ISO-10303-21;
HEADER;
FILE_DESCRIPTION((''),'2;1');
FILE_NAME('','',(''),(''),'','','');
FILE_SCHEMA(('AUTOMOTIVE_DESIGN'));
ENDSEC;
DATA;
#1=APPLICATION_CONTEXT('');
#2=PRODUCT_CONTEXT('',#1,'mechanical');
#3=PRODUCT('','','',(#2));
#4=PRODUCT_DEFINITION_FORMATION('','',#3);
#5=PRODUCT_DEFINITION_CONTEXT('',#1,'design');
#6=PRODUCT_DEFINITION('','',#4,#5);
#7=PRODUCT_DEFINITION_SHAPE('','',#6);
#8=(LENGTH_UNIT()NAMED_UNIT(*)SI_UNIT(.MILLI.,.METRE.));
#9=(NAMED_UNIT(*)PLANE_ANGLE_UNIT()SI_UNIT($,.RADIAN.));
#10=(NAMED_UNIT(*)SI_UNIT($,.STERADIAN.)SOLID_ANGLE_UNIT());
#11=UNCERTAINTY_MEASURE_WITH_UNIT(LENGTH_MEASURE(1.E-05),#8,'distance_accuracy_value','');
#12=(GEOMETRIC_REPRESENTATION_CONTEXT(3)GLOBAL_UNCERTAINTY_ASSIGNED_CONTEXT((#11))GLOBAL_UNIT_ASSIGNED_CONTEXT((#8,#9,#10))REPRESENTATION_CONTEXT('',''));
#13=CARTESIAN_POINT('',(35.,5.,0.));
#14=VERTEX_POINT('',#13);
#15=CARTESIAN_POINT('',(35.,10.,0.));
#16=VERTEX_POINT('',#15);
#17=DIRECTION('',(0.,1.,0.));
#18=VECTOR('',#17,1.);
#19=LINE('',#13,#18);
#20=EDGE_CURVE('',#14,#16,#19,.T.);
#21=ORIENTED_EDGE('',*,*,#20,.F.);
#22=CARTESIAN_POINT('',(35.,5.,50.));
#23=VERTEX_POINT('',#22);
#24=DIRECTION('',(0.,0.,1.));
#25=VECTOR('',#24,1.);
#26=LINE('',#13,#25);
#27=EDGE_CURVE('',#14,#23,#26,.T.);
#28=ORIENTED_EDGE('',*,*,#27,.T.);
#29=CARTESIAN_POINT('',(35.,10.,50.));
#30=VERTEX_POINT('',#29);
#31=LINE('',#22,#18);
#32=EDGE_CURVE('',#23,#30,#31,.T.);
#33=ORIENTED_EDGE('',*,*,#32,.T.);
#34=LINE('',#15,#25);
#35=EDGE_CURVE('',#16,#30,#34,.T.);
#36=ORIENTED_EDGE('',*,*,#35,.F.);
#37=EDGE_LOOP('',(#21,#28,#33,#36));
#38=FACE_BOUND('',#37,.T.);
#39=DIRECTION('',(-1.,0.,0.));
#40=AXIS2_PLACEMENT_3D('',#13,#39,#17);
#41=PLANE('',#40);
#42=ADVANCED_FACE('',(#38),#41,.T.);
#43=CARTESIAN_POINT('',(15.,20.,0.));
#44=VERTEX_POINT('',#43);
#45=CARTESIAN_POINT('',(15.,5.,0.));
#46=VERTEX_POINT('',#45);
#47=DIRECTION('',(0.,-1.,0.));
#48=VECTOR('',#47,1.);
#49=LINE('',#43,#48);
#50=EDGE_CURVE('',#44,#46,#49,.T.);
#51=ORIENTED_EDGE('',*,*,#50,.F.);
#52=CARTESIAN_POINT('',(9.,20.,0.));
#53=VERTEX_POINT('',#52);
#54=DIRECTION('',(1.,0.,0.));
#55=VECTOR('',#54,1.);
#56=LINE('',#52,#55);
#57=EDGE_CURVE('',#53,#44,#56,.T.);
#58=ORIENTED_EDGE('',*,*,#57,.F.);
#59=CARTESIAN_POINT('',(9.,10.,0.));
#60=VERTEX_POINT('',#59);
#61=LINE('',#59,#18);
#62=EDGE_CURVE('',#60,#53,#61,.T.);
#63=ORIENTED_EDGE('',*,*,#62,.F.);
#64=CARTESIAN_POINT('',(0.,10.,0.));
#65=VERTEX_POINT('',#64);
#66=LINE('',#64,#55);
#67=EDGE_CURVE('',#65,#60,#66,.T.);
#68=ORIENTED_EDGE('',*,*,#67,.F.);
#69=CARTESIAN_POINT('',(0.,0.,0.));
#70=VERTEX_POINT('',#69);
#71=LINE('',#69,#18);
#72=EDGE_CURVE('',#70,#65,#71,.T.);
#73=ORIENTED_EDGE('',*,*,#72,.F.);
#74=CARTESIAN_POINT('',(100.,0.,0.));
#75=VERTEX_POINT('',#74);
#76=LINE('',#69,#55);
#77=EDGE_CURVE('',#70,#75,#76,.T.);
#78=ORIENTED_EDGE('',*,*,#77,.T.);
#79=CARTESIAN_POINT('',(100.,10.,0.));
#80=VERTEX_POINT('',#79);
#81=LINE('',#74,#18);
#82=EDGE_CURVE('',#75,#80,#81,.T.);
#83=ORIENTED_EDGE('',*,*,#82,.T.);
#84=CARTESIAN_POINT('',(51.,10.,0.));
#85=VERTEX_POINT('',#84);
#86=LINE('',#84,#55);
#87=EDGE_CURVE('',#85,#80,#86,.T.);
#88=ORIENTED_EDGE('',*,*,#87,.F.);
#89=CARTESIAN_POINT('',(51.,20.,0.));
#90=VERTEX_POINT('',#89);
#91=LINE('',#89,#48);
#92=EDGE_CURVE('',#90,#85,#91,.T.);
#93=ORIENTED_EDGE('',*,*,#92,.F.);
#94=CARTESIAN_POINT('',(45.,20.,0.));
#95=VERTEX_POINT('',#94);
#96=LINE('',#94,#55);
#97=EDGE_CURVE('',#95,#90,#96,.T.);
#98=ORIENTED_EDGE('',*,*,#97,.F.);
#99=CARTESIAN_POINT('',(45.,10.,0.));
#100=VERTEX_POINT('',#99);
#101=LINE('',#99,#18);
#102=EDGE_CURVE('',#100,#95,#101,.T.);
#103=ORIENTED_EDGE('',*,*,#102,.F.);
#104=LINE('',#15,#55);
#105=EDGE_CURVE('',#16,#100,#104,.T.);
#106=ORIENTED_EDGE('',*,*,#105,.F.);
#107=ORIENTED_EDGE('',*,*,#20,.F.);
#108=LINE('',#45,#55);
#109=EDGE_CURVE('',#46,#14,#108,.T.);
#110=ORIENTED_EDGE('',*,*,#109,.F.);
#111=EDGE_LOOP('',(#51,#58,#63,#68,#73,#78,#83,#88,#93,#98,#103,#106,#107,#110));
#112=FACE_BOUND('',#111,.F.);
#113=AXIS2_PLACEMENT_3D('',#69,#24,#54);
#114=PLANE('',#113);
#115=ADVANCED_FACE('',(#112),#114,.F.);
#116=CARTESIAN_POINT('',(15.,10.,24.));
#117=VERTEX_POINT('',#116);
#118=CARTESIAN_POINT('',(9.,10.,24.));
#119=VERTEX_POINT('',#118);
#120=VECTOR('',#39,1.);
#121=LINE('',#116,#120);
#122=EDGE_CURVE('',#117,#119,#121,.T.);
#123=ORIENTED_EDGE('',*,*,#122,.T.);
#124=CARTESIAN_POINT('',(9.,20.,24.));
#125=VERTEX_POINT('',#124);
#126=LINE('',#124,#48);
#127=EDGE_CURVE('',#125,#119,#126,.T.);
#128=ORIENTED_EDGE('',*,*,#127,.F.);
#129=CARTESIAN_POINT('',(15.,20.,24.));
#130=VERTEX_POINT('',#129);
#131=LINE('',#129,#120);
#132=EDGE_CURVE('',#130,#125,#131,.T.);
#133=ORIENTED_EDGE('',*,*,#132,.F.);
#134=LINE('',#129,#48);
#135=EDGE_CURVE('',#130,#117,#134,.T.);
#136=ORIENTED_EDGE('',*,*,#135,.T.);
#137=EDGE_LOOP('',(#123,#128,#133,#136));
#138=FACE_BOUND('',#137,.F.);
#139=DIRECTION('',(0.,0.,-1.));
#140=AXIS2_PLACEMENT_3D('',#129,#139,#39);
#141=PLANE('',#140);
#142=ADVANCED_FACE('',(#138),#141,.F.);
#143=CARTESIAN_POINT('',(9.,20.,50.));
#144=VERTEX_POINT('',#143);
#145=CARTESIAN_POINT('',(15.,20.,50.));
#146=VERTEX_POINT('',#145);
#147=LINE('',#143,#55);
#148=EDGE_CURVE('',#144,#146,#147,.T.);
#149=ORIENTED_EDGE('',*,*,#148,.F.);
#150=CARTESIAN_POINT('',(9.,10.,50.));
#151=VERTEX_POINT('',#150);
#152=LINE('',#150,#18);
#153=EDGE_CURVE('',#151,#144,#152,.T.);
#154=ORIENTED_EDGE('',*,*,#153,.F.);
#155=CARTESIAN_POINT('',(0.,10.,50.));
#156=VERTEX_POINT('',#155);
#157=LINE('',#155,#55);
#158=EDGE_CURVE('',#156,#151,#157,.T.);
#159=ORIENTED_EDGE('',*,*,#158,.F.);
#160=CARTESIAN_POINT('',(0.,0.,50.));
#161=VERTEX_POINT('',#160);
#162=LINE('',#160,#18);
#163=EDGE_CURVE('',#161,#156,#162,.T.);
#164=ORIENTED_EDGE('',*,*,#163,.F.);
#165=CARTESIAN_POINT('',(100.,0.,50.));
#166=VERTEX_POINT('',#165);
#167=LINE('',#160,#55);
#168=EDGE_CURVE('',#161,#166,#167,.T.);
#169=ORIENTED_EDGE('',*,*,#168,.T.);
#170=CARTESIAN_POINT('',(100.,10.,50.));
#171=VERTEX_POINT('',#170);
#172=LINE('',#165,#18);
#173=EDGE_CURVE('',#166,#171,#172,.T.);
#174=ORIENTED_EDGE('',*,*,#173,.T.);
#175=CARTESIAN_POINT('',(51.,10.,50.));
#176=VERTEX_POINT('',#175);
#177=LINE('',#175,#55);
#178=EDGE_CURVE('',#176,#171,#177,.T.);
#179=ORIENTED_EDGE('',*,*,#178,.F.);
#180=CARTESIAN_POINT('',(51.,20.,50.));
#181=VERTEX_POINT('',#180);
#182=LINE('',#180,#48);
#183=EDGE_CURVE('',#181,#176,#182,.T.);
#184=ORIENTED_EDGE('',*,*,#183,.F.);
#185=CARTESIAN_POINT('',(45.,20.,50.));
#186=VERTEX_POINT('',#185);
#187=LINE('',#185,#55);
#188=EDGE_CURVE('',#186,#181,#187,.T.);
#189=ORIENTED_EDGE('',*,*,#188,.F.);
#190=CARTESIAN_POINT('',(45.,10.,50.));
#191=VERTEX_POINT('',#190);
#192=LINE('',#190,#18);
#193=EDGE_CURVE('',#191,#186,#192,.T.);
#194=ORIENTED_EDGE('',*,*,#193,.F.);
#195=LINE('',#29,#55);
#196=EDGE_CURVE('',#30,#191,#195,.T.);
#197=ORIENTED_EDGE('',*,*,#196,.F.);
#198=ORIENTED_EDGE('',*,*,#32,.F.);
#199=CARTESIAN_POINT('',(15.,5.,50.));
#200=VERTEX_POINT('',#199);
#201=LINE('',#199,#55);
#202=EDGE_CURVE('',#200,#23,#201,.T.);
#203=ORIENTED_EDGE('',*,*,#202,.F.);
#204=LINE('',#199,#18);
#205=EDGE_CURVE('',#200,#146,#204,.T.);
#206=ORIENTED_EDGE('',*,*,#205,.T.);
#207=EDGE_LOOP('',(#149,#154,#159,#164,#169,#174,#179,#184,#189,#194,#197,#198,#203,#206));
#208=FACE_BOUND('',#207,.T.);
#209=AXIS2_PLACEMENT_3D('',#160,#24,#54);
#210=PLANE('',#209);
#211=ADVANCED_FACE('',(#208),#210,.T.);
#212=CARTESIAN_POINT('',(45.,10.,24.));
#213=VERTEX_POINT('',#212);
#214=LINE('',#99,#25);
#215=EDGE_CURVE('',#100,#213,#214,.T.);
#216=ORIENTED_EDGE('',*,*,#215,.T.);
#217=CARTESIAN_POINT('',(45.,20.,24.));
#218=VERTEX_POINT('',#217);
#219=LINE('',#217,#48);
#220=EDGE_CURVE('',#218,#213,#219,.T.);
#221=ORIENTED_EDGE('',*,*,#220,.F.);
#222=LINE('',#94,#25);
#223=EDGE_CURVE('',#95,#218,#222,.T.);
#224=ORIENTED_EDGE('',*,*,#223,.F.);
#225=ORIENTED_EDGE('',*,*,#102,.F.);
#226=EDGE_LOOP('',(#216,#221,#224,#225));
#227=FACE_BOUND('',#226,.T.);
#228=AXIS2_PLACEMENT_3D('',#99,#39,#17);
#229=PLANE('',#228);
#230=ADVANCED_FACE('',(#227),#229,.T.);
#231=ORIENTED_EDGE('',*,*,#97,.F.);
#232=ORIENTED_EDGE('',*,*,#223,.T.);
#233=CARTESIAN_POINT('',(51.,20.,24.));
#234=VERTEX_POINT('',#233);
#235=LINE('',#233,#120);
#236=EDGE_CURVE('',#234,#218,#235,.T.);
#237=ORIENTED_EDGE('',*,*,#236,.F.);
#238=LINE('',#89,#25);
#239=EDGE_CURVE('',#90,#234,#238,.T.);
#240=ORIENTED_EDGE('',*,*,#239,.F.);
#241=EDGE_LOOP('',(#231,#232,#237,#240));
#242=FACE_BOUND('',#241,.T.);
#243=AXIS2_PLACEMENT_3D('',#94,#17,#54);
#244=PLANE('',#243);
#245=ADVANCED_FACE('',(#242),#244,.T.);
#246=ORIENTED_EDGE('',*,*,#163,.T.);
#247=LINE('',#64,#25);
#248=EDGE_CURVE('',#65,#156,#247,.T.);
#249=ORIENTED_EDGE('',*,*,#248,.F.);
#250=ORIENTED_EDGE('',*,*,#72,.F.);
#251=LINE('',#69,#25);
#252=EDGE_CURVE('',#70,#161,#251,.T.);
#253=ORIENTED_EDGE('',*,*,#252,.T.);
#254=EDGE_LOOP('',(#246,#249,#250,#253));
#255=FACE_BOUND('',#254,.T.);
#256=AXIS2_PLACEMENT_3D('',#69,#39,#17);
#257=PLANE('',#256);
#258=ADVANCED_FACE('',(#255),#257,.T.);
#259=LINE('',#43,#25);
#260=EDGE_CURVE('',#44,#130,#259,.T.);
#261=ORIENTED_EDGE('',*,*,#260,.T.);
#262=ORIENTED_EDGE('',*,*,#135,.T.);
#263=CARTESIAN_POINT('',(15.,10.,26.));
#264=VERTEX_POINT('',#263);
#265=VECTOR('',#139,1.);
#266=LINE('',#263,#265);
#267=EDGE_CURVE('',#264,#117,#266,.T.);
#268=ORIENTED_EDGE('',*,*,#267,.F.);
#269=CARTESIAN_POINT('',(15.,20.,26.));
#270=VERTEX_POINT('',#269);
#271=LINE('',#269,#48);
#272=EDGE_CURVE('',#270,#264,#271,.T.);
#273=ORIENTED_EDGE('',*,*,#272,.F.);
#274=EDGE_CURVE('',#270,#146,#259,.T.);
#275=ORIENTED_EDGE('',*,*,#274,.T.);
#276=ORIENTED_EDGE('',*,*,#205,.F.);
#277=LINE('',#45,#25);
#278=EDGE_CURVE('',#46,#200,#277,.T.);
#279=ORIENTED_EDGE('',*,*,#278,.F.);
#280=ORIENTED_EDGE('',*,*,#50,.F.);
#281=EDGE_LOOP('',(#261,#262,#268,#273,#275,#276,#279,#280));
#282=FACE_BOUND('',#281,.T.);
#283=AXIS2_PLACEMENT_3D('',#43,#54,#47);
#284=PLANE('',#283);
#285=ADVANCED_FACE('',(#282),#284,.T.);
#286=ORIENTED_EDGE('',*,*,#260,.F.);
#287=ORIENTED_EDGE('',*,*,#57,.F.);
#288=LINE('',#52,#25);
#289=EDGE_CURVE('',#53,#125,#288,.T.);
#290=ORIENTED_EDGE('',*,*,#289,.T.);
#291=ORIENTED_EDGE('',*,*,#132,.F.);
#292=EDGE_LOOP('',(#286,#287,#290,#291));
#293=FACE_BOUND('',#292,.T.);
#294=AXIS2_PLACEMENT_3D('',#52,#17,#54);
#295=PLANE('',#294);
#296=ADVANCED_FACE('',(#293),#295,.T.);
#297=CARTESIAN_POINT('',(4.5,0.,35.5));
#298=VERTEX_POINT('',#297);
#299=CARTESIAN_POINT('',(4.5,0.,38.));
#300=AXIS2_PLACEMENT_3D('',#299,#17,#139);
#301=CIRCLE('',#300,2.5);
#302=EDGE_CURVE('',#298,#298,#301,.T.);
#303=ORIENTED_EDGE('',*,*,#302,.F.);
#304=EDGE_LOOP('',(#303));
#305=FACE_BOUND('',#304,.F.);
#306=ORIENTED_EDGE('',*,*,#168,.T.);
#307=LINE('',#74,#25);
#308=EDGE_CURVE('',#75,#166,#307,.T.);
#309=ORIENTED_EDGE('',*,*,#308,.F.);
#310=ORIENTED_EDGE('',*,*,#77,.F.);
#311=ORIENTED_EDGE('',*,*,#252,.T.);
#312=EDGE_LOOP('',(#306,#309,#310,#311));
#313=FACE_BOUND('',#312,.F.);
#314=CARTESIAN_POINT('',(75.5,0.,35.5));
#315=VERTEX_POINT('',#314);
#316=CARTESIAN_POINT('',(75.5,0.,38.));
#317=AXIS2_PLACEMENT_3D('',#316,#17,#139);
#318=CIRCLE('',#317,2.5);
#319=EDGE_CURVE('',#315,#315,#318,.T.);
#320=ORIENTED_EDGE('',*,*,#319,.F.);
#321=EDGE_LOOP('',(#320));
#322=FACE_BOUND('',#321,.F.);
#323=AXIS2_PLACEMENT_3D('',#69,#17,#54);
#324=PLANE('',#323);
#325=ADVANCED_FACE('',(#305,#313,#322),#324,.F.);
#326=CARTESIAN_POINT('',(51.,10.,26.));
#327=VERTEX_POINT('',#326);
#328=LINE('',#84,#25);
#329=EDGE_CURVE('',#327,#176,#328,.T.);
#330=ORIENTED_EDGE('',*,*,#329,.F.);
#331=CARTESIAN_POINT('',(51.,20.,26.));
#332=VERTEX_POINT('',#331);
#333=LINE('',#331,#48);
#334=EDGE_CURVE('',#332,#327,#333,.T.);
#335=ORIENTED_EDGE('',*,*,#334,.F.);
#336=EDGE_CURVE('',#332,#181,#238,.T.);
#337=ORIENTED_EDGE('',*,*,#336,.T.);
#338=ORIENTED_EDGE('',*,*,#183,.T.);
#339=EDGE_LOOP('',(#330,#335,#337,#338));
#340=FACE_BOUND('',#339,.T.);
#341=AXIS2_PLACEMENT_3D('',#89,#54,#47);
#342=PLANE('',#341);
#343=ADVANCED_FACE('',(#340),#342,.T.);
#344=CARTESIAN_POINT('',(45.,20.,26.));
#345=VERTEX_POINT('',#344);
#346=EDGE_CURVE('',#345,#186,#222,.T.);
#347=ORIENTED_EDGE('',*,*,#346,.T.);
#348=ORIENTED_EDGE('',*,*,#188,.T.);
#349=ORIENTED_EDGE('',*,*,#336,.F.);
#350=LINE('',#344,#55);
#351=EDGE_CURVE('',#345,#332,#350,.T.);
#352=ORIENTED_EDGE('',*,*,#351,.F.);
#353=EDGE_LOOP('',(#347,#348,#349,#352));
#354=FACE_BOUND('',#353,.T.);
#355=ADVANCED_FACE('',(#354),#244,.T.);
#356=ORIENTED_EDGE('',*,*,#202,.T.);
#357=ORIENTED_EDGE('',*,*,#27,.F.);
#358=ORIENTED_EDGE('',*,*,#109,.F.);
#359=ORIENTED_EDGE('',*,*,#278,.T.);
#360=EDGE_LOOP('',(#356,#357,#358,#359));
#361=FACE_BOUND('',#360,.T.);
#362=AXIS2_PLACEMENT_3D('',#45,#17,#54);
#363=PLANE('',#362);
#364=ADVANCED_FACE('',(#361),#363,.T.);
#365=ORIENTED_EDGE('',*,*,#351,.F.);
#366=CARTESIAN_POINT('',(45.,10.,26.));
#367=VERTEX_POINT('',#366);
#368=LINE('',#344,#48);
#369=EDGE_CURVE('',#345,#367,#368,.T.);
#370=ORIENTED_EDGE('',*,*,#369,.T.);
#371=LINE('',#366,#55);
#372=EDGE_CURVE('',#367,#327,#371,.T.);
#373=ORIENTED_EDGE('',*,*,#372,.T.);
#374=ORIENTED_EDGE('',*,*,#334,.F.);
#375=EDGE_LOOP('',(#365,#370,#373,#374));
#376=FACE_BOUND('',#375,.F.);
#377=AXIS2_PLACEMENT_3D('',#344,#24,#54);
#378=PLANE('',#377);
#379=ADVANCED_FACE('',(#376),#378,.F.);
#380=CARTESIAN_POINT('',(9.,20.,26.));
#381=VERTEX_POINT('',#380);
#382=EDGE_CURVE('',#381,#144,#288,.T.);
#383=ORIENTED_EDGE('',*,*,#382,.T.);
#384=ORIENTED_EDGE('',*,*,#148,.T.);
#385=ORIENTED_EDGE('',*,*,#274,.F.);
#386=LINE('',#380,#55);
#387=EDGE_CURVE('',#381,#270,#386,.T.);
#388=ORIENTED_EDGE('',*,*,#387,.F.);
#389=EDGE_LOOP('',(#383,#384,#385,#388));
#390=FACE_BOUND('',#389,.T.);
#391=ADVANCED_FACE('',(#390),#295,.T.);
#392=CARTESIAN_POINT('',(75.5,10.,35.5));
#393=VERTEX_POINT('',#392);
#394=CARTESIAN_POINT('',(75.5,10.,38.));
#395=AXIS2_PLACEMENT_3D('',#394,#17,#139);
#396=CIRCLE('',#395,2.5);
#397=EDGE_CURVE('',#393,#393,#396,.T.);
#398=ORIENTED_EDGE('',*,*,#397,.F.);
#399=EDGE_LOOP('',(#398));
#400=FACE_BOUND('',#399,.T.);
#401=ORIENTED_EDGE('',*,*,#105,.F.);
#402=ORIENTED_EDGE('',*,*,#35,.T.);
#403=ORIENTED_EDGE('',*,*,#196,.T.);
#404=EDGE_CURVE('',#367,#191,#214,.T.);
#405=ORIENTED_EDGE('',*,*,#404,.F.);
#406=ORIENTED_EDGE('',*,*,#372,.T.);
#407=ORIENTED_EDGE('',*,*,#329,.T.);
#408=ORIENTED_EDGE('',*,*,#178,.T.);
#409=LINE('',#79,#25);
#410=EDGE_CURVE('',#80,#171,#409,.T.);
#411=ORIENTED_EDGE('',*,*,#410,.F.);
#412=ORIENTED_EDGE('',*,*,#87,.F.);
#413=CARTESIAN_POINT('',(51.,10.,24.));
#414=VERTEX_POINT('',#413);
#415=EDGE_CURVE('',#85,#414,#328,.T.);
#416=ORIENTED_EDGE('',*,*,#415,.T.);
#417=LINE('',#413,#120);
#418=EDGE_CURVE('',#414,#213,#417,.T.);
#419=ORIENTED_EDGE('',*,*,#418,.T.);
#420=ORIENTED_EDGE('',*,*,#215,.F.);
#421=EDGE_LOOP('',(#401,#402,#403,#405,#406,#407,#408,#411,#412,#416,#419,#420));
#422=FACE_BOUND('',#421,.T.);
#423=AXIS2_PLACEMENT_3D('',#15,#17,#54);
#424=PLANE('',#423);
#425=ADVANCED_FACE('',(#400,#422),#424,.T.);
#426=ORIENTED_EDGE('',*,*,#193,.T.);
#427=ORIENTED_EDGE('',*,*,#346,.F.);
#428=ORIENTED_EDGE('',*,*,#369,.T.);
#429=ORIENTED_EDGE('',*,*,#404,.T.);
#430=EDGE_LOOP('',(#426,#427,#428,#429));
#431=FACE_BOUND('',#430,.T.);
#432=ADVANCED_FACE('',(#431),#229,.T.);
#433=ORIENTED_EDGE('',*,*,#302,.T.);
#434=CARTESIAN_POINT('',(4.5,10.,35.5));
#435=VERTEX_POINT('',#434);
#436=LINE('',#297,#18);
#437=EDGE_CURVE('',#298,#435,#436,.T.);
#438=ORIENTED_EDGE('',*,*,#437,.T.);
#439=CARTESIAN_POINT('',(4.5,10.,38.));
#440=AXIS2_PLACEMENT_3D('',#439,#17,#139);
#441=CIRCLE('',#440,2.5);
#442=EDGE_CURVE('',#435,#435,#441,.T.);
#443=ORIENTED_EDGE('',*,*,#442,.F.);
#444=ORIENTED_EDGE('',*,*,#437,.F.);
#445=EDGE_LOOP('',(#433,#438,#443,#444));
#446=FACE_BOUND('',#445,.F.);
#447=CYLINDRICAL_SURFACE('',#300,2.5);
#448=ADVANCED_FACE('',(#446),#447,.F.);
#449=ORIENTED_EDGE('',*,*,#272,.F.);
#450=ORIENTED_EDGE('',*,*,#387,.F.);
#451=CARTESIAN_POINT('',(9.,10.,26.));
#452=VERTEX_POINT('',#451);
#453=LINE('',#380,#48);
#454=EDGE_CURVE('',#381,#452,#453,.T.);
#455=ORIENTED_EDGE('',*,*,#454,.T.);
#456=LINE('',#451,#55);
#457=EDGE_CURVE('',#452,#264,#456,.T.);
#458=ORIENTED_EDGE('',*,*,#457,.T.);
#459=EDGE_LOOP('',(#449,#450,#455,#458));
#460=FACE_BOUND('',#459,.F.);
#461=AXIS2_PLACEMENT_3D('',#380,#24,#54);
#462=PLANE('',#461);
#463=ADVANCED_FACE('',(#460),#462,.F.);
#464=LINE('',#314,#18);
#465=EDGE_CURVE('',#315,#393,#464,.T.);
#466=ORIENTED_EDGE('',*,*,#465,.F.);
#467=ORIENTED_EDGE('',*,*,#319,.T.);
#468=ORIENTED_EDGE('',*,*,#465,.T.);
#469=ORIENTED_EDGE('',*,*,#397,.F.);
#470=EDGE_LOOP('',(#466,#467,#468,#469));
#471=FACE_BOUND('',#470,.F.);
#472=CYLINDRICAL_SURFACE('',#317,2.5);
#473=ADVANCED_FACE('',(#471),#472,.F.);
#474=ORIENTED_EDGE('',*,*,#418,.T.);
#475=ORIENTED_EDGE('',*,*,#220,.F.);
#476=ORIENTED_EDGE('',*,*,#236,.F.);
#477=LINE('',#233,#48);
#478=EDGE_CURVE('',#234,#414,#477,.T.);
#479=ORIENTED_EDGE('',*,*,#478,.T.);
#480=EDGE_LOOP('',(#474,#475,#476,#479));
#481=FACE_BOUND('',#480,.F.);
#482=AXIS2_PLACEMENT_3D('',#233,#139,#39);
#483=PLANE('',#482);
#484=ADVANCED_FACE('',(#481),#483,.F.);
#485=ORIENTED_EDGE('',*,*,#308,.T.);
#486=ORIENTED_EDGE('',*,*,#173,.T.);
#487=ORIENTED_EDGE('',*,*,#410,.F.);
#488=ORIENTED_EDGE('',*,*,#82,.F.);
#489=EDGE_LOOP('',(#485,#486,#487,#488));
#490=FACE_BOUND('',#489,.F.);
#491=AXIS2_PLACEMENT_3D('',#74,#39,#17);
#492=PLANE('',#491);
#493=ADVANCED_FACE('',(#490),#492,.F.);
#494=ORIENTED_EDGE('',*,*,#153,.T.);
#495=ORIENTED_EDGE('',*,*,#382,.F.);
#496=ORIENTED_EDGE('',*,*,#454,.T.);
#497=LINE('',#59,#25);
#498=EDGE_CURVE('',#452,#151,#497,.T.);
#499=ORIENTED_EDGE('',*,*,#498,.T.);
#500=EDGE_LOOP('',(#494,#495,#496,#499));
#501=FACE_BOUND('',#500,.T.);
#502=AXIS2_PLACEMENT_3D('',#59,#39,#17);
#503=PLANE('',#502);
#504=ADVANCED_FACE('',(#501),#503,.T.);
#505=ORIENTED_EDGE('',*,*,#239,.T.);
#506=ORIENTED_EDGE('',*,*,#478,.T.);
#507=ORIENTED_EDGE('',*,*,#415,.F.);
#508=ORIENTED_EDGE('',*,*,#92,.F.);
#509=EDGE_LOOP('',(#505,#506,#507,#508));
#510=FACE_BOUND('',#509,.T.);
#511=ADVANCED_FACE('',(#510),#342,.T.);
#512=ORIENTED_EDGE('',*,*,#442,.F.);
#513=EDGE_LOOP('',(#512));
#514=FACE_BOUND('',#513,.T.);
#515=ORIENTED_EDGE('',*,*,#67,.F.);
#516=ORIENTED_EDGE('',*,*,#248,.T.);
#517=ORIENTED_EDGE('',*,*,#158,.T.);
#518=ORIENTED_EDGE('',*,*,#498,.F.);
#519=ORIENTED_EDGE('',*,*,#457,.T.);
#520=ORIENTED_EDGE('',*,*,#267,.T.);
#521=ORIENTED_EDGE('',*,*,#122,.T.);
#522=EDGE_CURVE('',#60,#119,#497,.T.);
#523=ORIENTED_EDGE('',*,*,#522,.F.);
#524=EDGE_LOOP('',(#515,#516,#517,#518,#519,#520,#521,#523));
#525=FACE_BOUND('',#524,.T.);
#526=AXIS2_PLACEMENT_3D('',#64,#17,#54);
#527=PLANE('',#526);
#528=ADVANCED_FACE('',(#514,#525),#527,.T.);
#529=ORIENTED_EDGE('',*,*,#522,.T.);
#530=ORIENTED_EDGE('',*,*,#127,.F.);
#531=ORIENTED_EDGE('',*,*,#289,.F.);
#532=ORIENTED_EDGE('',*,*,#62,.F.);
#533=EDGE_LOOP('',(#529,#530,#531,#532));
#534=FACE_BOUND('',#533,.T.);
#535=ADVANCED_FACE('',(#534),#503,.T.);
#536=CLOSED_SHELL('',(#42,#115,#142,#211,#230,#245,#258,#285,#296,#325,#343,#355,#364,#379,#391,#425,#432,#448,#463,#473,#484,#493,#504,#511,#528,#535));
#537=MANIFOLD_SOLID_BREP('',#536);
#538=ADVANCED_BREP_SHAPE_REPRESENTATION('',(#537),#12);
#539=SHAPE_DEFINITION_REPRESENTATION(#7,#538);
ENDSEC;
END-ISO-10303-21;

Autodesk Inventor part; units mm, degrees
sketch "草圖1" plane through (0, 0, 0) normal (0, 0, 1) x (1, 0, 0)
  line L0 (0, 0) -> (100, 0)
  line L1 (100, 0) -> (100, 10)
  line L2 (0, 0) -> (0, 10)
  line L3 (0, 10) -> (9, 10)
  line L4 (9, 10) -> (9, 20)
  line L5 (9, 20) -> (15, 20)
  line L6 (15, 20) -> (15, 10)
  line L7 (15, 10) -> (15, 10)
  line L8 (15, 10) -> (15, 5)
  line L9 (15, 5) -> (35, 5)
  line L10 (35, 5) -> (35, 10)
  line L11 (35, 10) -> (45, 10)
  line L12 (45, 10) -> (45, 20)
  line L13 (45, 20) -> (51, 20)
  line L14 (51, 20) -> (51, 10)
  line L15 (51, 10) -> (100, 10)
  dimension "d0" = 100
  dimension "d1" = 10
  dimension "d2" = 10
  dimension "d3" = 9
  dimension "d4" = 10
  dimension "d5" = 6
  dimension "d9" = 5
  dimension "d11" = 20
  dimension "d12" = 10
  dimension "d13" = 6
extrude "擠出1" add sketch "草圖1" along normal blind 50
sketch "草圖2" plane through (9, 20, 0) normal (0, 1, 0) x (1, 0, 0)
  line L0 (0, 0) -> (0, -50) projected
  line L1 (0, -50) -> (0, -26)
  line L2 (6, -26) -> (6, -24)
  line L3 (0, -26) -> (0, -24)
  line L4 (36, 0) -> (36, -50) projected
  line L5 (36, -50) -> (36, -26)
  line L6 (36, -26) -> (42, -26)
  line L7 (42, -26) -> (42, -24)
  line L8 (42, -24) -> (36, -24)
  line L9 (36, -26) -> (36, -24)
  line L10 (0, -26) -> (6, -26)
  line L11 (6, -24) -> (0, -24)
  line L12 (0, -26) -> (0, -24)
  point P0 (-9, 0)
  dimension "d16" = 24
  dimension "d17" = 2
  dimension "d18" = 24
  dimension "d19" = 6
  dimension "d22" = 6
  dimension "d27" = 2
extrude "擠出2" cut sketch "草圖2" against normal up to surface (10 mm away) contours L8 L7 L6 L4
extrude "擠出3" cut sketch "草圖2" against normal up to surface (10 mm away) contours L11 L2 L10 L0
sketch "草圖4" plane through (0, 0, 0) normal (0, 1, 0) x (-1, 0, 0)
  line L0 (0, 50) -> (-100, 50) projected
  line L1 (-100, 50) -> (-100, 38)
  line L2 (-100, 0) -> (-100, 50) projected
  line L3 (-100, 38) -> (-75.5, 38)
  line L4 (-51, 26) -> (-51, 50) projected
  line L5 (0, 50) -> (0, 38)
  line L6 (0, 0) -> (0, 50) projected
  line L7 (0, 38) -> (-4.5, 38)
  dimension "d56" = 12
  dimension "d57" = 24.5
  dimension "d58" = 12
  dimension "d59" = 4.5
hole "孔3" at (75.5, 0, 38) at (4.5, 0, 38) direction (0, 1, 0) diameter 5 end through all
properties part number "wire_setbaseV2"
